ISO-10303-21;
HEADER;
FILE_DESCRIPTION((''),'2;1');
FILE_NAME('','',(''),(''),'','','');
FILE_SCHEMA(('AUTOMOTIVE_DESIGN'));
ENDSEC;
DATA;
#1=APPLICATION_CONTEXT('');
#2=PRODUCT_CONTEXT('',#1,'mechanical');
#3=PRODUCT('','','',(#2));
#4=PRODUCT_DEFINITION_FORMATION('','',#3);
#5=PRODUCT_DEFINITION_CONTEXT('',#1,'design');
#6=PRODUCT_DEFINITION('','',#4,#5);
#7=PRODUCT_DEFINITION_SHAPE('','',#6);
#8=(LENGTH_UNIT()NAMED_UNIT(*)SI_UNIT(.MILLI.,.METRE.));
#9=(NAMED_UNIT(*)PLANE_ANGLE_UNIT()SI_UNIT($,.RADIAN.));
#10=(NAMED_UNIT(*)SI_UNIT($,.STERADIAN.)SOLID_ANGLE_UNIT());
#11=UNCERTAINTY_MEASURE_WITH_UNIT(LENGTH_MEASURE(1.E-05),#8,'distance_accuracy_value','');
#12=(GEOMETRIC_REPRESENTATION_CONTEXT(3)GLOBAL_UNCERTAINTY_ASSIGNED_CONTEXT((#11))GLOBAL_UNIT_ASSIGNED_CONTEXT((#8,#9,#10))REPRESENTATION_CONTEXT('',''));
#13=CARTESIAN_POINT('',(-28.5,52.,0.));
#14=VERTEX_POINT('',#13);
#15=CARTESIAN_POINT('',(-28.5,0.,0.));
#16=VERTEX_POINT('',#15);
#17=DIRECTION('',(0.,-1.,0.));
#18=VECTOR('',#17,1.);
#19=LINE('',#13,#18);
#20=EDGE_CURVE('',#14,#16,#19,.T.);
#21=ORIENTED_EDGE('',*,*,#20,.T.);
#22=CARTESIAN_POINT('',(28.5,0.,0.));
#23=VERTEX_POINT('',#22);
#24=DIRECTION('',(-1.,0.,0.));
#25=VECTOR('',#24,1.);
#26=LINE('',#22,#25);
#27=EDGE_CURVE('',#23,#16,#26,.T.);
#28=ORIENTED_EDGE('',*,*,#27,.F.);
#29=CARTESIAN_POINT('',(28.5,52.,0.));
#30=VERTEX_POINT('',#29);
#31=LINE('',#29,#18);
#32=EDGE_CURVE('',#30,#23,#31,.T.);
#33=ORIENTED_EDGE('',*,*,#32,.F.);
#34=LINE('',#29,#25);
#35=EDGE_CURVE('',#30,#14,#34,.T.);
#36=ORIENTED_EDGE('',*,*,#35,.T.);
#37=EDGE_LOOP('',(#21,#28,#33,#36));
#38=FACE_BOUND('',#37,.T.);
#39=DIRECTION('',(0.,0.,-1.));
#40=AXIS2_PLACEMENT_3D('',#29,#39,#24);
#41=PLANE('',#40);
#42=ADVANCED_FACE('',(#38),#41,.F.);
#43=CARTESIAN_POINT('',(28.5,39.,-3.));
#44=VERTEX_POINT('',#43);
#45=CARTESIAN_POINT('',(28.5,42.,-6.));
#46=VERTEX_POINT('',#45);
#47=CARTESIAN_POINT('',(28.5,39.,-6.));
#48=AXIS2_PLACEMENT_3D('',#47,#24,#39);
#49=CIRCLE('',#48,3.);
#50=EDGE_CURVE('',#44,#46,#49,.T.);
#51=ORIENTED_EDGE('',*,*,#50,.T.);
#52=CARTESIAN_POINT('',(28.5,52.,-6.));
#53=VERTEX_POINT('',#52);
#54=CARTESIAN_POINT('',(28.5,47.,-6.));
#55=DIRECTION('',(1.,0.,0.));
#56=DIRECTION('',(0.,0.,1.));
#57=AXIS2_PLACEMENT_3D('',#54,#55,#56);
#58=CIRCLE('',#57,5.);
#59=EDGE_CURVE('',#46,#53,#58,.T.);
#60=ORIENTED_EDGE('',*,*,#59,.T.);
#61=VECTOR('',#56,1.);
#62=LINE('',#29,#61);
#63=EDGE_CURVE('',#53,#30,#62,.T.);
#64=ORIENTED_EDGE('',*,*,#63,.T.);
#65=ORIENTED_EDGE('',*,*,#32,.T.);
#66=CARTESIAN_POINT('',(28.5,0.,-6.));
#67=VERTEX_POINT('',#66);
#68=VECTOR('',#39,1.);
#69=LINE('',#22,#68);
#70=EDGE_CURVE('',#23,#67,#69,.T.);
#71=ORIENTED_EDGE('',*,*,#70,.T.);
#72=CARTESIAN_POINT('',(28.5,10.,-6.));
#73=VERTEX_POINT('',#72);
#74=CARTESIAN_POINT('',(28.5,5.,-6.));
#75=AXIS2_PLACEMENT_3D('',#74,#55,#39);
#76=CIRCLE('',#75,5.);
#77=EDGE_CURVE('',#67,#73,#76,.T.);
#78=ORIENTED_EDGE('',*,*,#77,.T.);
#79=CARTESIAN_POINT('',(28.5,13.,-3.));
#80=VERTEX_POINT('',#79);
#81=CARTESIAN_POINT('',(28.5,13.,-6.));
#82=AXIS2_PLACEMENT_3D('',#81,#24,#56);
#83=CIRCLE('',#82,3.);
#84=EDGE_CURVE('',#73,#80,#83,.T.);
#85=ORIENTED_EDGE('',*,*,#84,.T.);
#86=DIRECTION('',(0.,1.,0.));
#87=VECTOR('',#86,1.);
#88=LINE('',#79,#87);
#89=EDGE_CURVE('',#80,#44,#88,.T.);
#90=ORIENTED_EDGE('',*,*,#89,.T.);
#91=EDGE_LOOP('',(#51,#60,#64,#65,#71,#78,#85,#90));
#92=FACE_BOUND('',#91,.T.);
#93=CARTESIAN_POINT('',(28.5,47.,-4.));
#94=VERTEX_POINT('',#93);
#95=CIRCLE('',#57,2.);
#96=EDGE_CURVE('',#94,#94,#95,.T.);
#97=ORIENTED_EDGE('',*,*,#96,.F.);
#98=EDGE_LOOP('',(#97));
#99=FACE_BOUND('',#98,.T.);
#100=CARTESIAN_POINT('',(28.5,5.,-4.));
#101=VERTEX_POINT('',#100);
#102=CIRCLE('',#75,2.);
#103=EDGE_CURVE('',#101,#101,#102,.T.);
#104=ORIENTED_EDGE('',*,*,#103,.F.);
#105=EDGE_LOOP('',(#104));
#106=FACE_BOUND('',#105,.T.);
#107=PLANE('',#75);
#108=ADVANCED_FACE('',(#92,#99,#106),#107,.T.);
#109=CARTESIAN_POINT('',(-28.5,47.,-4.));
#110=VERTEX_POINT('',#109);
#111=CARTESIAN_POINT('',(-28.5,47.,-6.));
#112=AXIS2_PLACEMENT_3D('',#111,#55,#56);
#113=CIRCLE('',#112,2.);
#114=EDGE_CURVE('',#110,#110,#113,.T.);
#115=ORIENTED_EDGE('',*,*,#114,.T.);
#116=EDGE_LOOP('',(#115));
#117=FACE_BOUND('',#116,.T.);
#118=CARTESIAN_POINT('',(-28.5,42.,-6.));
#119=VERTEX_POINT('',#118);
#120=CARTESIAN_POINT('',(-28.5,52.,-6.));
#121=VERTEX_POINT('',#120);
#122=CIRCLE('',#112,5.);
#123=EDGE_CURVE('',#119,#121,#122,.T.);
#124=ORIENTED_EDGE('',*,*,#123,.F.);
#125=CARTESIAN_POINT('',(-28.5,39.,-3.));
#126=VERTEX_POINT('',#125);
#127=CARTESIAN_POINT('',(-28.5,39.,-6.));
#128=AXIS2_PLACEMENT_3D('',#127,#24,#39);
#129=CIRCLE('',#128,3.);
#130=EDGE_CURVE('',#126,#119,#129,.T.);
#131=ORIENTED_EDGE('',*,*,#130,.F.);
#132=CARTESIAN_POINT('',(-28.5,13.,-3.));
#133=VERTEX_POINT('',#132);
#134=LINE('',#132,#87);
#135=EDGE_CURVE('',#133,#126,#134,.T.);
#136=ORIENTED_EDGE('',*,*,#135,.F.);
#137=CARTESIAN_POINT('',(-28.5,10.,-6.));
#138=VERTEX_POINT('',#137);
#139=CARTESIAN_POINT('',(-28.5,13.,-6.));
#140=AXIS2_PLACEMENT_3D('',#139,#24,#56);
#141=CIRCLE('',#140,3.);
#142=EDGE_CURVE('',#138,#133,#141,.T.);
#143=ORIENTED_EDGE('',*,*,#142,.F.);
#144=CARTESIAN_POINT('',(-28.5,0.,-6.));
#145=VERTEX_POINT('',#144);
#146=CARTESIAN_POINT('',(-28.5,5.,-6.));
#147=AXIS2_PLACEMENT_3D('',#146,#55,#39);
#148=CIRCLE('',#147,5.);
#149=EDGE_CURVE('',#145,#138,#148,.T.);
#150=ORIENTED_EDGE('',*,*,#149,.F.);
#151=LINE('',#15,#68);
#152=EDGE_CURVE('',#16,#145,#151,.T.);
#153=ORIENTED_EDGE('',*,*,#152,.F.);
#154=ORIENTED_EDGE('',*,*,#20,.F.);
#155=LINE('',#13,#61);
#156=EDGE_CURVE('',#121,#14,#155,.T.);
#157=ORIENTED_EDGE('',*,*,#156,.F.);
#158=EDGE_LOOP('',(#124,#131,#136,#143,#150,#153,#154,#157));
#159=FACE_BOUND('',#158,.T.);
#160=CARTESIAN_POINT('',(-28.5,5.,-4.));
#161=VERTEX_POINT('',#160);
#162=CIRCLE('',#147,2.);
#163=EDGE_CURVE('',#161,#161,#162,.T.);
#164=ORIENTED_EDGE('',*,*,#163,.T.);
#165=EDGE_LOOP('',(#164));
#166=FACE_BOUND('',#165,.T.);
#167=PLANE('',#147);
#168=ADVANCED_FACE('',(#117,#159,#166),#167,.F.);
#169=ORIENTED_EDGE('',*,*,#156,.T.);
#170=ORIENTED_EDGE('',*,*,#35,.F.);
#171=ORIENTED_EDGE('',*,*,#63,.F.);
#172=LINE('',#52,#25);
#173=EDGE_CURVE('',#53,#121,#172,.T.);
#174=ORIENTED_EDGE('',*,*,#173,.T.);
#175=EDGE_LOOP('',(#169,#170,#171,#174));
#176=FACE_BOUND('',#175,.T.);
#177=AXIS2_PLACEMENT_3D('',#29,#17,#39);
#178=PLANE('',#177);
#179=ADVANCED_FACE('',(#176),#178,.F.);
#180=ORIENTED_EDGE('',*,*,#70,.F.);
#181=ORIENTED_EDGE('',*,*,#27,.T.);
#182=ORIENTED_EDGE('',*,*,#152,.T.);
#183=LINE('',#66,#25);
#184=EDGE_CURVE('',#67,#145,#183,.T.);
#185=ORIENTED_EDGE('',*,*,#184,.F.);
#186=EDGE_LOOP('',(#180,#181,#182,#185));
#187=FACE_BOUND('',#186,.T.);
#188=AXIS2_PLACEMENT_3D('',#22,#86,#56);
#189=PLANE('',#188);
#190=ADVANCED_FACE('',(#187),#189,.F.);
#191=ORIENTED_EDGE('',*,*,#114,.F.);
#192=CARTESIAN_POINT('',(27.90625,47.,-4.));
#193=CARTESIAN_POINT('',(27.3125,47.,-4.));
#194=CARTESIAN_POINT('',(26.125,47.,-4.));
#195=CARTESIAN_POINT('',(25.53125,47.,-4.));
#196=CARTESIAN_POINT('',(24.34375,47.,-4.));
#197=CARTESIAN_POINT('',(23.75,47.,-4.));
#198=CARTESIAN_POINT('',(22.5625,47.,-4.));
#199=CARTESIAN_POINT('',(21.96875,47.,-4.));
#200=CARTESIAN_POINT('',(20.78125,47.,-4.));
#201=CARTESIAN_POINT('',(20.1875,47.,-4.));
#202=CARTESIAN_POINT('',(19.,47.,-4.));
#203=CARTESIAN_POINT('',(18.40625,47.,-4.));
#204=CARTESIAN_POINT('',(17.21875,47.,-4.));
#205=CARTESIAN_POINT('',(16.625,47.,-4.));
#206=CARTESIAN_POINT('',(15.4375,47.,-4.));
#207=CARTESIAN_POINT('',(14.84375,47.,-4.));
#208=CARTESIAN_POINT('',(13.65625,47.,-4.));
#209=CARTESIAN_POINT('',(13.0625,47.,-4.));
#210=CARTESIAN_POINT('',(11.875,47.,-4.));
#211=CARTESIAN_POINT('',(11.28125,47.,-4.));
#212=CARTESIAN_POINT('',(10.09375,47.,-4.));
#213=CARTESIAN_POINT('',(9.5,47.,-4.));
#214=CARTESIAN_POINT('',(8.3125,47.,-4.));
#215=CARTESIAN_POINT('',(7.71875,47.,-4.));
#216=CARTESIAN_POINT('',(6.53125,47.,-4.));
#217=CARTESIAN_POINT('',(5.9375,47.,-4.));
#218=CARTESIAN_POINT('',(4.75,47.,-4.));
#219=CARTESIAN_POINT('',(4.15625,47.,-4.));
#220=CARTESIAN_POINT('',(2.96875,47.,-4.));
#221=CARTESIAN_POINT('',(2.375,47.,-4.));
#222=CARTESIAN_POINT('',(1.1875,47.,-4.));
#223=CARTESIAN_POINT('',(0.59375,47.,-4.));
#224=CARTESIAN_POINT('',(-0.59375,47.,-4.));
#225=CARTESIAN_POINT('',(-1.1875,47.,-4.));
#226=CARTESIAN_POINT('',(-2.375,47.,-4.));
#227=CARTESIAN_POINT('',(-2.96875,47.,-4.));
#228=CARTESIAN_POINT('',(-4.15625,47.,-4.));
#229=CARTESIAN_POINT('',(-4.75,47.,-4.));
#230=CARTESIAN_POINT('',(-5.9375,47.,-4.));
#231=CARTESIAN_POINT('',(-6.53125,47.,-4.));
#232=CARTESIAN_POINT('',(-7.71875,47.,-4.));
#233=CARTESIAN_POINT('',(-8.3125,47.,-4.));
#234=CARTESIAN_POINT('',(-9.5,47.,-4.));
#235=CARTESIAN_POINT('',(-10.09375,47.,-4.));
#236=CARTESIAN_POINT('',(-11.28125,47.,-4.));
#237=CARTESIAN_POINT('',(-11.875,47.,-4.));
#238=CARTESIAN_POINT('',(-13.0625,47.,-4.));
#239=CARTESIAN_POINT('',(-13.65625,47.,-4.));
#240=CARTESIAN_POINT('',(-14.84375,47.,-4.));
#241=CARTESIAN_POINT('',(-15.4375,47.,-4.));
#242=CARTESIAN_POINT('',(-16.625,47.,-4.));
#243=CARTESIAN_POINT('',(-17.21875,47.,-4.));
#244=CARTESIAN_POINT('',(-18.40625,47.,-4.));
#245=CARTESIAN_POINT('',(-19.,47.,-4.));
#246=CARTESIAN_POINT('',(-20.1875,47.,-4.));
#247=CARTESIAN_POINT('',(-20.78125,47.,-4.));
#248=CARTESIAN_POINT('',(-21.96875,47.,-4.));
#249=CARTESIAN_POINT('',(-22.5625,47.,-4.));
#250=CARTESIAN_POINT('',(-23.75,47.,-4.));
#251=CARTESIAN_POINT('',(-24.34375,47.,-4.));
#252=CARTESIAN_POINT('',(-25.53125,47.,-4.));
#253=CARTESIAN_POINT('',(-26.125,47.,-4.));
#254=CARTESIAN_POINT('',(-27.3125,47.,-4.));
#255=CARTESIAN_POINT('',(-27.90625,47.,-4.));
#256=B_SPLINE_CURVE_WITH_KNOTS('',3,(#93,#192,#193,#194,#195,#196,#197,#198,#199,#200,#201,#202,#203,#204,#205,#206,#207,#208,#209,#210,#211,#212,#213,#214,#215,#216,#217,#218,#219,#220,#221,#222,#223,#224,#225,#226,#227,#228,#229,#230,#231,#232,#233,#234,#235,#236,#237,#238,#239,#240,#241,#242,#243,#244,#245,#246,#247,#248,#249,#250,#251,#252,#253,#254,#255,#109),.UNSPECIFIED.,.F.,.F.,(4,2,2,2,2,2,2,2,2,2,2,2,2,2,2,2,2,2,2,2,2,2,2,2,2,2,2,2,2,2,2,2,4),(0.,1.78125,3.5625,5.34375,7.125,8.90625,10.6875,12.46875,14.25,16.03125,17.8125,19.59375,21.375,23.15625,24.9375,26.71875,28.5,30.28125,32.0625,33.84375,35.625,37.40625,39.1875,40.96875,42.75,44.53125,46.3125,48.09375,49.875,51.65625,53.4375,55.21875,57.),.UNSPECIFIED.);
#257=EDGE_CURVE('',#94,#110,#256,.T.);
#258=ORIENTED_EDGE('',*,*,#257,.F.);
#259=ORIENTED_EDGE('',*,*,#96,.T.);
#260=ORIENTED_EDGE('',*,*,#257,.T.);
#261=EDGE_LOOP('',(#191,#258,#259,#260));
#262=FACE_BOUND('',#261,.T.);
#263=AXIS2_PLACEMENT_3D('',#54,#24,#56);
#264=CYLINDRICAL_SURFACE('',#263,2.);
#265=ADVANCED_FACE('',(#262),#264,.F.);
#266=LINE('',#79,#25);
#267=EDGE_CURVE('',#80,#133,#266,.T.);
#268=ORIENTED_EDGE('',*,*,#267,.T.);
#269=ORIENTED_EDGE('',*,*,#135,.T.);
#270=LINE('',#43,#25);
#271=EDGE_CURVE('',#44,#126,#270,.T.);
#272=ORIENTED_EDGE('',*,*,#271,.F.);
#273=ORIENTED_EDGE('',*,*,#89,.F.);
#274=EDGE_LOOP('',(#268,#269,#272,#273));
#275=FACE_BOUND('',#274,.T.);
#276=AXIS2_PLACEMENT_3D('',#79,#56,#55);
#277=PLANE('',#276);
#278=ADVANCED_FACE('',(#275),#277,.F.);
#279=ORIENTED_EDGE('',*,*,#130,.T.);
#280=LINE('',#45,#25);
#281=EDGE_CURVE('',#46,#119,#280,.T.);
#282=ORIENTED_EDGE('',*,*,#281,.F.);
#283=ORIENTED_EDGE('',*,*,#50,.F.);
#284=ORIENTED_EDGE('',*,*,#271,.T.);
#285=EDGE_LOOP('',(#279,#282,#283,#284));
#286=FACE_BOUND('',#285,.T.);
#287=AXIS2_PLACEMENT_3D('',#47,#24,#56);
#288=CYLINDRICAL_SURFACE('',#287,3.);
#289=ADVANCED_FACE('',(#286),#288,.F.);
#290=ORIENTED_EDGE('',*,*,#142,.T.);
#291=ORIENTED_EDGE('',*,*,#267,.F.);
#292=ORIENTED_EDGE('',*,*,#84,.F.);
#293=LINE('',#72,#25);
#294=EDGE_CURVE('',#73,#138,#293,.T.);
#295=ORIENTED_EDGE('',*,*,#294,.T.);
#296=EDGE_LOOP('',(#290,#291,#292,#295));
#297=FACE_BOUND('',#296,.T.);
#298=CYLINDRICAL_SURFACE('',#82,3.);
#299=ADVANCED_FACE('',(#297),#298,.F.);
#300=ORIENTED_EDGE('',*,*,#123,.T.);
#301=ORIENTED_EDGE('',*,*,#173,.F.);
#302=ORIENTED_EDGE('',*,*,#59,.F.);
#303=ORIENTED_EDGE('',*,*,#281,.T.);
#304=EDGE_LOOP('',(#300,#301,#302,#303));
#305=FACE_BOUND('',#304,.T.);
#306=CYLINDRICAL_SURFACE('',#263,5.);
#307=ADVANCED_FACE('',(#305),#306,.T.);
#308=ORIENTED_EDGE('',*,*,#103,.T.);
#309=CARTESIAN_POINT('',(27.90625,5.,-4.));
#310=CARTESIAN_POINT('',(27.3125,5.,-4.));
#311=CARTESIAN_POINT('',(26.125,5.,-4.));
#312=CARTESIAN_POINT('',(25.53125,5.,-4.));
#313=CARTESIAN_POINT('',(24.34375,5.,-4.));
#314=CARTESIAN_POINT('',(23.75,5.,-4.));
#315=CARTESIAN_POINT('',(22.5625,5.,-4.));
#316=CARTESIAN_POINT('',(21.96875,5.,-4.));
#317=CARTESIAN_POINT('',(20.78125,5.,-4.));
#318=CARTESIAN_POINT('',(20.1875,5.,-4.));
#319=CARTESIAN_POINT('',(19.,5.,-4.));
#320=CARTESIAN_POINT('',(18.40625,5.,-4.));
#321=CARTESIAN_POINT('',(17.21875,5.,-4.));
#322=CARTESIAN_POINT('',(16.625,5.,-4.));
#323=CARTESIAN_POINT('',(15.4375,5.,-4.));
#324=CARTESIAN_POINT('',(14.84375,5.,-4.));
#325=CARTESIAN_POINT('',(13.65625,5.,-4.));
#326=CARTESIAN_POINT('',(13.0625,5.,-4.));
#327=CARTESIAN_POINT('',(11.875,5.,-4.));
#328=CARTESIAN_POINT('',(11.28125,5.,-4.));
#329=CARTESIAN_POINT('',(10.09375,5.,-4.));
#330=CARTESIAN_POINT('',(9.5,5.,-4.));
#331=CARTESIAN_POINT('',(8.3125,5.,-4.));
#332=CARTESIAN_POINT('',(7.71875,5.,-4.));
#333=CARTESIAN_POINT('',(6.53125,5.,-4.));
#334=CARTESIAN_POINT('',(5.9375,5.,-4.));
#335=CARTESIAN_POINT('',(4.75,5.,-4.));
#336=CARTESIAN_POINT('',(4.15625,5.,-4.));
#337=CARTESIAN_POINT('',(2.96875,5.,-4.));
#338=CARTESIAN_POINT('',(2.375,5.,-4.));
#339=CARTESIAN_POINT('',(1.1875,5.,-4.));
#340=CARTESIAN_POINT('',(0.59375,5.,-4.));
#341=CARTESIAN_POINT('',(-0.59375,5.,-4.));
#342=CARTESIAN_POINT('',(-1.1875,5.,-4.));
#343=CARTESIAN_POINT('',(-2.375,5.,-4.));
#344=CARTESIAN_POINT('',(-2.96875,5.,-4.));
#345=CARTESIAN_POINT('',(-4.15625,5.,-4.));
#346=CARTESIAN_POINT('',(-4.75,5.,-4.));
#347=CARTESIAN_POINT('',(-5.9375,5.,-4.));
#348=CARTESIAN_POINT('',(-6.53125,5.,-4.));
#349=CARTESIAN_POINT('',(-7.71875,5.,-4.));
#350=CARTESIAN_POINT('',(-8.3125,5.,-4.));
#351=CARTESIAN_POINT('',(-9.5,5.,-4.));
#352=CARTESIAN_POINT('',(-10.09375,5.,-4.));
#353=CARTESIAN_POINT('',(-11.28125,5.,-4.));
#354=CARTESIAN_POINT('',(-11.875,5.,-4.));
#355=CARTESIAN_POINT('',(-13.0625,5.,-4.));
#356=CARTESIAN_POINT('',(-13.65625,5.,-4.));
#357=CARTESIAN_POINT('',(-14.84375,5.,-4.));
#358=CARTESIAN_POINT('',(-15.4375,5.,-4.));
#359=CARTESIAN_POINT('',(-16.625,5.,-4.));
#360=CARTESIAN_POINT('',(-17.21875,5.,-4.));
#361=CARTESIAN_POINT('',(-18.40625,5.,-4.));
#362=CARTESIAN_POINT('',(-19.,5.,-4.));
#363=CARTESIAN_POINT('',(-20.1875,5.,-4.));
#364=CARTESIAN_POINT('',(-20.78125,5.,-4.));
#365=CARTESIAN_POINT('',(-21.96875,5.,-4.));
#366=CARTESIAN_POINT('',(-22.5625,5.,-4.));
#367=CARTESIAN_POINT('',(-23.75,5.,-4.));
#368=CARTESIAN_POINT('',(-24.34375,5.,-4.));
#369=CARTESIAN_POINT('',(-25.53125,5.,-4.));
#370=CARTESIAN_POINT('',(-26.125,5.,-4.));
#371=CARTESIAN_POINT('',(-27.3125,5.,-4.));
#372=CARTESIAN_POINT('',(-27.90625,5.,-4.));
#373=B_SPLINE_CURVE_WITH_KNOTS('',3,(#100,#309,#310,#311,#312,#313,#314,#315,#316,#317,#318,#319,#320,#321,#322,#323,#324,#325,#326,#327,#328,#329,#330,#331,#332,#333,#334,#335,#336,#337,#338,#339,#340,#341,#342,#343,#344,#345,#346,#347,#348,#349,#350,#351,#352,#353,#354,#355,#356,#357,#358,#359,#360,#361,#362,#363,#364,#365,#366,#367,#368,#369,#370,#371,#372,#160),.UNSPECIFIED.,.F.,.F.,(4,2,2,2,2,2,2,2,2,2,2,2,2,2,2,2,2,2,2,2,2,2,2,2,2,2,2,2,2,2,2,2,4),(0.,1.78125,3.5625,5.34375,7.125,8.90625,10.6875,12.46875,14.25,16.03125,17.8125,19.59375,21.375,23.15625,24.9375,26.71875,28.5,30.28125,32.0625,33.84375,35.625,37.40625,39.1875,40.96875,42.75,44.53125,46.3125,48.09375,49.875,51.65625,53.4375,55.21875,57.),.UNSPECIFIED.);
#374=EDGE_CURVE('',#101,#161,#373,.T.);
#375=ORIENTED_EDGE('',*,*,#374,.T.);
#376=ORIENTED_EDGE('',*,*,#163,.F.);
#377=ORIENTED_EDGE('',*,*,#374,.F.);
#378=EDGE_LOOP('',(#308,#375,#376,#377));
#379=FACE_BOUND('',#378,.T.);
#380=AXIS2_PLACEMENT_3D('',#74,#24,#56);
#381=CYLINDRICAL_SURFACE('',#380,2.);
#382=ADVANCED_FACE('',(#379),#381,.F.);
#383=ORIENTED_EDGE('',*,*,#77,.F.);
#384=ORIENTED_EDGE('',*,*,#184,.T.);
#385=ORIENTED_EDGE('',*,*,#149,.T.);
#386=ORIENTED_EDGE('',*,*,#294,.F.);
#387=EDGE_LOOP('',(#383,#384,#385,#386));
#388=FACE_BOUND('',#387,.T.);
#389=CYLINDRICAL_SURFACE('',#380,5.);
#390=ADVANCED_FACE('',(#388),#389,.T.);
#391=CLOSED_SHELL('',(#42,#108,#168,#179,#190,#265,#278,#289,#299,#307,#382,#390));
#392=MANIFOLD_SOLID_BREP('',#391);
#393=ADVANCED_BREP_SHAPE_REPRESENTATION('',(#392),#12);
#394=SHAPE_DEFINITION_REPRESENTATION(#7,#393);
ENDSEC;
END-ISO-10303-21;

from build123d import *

# Parameters (mm, degrees)
SKETCH1_R           = 2
BOSS_EXTRUDE1_DEPTH = 28.5


with BuildPart() as part:
    # Sketch1 → Boss-Extrude1 (new, symmetric)
    with BuildSketch(Plane(origin=(0, 0, 0), x_dir=(0, 0, -1), z_dir=(1, 0, 0))):
        with BuildLine():
            Line((0, 0), (6, 0))
            ThreePointArc((6, 0), (11, 5), (6, 10))
            ThreePointArc((6, 10), (3.878679656, 10.878679656), (3, 13))
            Line((3, 13), (3, 39))
            ThreePointArc((3, 39), (3.878679656, 41.121320344), (6, 42))
            ThreePointArc((6, 42), (11, 47), (6, 52))
            Line((6, 52), (0, 52))
            Line((0, 52), (0, 0))
        make_face()
        with Locations(Location((6, 5, 0), (0, 0, 180))):
            Circle(SKETCH1_R, mode=Mode.SUBTRACT)
        with Locations(Location((6, 47, 0), (0, 0, 180))):
            Circle(SKETCH1_R, mode=Mode.SUBTRACT)
    extrude(amount=BOSS_EXTRUDE1_DEPTH, both=True)


solid = part.part
